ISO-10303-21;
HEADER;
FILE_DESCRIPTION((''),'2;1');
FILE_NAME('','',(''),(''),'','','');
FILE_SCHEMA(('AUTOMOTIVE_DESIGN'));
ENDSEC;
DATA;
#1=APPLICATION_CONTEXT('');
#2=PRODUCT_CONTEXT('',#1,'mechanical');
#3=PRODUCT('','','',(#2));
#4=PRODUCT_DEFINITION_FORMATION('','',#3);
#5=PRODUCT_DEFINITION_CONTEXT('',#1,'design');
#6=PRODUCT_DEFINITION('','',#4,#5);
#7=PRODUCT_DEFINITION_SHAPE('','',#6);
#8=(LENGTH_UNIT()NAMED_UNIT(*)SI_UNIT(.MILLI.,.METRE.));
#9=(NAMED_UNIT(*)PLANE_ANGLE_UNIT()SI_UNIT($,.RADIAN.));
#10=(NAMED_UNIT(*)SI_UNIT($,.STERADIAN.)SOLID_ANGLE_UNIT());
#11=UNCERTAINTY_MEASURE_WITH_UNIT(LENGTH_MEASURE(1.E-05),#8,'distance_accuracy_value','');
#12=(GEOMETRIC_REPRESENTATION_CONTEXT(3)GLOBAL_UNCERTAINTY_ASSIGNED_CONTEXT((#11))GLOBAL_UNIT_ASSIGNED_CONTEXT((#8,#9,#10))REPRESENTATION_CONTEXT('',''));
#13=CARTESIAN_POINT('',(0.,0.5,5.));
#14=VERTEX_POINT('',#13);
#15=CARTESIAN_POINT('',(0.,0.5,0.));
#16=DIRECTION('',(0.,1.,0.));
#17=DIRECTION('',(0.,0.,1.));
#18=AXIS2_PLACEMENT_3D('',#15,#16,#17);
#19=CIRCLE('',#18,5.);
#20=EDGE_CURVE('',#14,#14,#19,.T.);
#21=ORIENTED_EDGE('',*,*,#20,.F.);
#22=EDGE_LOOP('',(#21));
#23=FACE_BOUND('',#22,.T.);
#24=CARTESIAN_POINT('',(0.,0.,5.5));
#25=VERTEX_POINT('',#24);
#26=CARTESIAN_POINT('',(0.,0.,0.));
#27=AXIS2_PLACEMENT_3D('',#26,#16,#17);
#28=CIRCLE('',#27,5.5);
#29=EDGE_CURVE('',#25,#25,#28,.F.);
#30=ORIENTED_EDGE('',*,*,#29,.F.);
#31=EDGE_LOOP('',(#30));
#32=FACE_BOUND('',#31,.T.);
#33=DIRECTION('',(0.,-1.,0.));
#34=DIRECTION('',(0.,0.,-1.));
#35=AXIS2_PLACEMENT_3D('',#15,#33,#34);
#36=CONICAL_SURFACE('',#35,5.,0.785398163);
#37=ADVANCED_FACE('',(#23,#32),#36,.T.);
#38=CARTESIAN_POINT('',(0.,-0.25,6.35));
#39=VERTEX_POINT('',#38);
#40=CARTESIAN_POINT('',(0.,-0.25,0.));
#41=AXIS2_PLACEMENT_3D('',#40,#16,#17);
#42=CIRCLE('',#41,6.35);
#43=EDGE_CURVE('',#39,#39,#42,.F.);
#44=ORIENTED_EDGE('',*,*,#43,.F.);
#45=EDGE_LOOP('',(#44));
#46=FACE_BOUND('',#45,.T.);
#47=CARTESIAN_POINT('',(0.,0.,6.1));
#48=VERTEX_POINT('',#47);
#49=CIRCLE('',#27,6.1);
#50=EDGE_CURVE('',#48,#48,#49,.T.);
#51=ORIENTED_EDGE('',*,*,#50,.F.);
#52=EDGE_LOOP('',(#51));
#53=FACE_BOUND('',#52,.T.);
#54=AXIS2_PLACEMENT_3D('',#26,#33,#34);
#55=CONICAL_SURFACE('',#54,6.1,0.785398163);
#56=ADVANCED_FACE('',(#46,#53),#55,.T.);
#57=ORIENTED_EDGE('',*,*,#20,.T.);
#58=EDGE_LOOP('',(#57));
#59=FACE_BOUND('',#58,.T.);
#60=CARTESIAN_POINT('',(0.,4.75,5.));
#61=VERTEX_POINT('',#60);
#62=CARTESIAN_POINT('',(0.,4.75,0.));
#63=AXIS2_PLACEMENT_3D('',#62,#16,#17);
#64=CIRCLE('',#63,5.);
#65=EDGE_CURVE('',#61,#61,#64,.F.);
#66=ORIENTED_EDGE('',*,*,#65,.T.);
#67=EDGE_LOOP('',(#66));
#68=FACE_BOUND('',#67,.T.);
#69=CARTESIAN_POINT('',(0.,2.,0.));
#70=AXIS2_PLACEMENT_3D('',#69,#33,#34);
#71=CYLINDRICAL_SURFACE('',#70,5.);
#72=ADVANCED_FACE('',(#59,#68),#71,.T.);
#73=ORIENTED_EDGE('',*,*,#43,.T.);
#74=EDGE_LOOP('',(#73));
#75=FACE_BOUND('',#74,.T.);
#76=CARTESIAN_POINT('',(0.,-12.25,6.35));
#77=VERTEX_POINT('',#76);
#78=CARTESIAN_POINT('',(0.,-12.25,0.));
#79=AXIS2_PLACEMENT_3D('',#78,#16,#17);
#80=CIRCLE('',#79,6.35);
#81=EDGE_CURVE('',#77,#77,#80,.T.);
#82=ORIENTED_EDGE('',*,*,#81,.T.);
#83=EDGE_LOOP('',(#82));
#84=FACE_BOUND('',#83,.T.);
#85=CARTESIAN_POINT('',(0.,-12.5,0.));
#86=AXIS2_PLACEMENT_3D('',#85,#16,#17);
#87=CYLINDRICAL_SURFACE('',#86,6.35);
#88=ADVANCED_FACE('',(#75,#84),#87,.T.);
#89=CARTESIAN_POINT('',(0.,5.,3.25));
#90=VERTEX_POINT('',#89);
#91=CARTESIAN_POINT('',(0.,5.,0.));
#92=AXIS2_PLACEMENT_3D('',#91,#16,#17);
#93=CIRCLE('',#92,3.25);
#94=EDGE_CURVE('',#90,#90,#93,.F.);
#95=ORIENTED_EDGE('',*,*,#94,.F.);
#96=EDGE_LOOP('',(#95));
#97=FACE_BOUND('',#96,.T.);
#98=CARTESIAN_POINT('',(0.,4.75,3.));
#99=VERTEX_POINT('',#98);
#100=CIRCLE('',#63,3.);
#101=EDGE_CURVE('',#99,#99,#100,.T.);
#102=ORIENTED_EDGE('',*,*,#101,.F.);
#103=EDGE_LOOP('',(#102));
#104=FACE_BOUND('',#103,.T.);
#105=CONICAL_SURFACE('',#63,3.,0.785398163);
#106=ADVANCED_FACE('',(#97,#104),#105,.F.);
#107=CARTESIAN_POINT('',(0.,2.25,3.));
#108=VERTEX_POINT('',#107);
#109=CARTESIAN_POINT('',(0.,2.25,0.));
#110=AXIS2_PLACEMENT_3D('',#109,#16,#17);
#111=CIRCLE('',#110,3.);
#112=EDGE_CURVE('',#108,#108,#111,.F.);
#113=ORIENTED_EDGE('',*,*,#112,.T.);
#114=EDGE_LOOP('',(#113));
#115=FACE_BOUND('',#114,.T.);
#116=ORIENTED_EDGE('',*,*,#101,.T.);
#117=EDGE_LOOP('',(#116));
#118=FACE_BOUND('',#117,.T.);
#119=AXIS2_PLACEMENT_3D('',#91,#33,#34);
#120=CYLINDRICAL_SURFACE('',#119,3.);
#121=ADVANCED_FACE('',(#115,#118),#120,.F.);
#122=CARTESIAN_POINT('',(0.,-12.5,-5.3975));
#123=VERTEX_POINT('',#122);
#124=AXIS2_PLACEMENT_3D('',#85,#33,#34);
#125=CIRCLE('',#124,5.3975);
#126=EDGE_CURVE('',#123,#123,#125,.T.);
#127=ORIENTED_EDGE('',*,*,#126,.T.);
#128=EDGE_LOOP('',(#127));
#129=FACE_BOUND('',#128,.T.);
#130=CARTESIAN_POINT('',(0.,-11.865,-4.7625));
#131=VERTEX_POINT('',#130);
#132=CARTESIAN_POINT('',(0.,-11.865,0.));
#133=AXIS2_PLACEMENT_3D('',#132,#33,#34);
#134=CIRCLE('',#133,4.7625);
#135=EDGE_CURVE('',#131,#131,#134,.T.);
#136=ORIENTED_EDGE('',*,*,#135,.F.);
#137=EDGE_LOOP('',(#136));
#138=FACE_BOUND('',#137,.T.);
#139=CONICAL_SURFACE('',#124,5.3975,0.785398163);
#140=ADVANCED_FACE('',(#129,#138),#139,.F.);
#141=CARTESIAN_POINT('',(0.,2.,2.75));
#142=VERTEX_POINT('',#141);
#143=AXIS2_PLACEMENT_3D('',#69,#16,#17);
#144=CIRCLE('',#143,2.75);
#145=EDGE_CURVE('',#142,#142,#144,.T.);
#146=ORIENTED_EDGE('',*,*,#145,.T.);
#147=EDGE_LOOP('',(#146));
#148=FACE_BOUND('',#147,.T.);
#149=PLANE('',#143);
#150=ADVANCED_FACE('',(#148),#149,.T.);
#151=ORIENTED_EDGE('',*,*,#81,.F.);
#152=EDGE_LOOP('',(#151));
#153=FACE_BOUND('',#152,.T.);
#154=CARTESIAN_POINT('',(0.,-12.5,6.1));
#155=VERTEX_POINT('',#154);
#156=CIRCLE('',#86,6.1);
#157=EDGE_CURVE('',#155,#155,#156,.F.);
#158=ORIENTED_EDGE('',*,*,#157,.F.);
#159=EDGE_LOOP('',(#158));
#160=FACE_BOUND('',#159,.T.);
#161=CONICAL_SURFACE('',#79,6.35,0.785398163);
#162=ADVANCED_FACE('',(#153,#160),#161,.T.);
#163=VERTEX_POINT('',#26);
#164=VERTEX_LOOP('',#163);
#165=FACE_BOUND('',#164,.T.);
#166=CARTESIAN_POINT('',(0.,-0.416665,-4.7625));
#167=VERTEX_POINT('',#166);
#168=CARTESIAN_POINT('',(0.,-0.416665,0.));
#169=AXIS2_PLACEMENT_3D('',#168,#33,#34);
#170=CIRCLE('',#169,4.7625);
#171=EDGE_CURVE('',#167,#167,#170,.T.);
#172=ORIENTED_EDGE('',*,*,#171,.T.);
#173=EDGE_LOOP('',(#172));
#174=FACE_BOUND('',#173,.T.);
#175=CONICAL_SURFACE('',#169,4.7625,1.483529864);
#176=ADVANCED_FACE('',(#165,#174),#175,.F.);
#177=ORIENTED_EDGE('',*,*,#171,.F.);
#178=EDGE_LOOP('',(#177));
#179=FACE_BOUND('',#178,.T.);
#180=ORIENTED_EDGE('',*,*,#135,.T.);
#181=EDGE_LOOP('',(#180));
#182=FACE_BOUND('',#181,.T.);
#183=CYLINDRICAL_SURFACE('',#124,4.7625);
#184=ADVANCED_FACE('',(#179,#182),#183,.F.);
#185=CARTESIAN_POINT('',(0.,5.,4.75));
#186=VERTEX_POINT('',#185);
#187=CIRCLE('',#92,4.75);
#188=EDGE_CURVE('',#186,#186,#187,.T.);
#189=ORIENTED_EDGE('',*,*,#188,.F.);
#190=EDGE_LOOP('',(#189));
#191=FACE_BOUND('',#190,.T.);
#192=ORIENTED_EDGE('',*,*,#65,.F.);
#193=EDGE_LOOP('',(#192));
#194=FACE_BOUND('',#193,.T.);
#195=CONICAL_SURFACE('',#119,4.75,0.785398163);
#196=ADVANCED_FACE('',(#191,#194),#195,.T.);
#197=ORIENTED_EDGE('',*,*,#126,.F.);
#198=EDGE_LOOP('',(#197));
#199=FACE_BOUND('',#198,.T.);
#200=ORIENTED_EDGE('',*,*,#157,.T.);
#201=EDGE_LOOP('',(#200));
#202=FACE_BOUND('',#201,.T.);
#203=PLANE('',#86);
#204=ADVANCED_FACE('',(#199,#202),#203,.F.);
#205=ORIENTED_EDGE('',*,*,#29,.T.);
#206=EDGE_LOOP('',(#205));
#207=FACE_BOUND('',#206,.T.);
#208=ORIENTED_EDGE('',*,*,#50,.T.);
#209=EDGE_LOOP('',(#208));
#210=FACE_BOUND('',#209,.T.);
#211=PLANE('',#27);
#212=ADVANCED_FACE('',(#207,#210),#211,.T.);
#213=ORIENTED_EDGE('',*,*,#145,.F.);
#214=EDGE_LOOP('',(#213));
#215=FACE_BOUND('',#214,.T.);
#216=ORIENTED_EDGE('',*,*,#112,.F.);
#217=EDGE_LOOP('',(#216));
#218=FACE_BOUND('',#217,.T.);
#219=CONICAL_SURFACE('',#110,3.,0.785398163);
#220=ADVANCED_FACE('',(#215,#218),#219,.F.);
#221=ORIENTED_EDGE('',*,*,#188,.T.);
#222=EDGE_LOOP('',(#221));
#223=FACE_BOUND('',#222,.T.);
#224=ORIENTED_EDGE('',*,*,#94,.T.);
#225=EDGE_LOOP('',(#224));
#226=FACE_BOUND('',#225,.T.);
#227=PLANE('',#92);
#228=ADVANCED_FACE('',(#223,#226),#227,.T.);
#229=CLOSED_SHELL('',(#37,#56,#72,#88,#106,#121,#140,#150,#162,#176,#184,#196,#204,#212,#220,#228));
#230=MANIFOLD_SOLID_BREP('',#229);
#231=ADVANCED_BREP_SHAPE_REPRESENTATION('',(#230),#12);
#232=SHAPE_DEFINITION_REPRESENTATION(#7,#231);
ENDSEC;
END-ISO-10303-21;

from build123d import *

# Parameters (mm, degrees)
SKETCH1_R                              = 5
BOSS_EXTRUDE1_DEPTH                    = 2
SKETCH1_3_R                            = 5
SKETCH1_3_R_2                          = 3
BOSS_EXTRUDE2_DEPTH                    = 5
CHAMFER1_SIZE                          = 0.25
SKETCH5_R                              = 6.35
BOSS_EXTRUDE4_DEPTH                    = 12.5
F_3_8_0_375_DIAMETER_HOLE1_D           = 9.525
F_3_8_0_375_DIAMETER_HOLE1_DEPTH       = 12.08333524
F_3_8_0_375_DIAMETER_HOLE1_CSINK_D     = 10.795
F_3_8_0_375_DIAMETER_HOLE1_CSINK_ANGLE = 90
F_3_8_0_375_DIAMETER_HOLE1_TIP         = 0.41666476
CHAMFER2_SIZE                          = 0.25
CHAMFER3_SIZE                          = 0.5


with BuildPart() as part:
    # Sketch1 → Boss-Extrude1 (new body)
    with BuildSketch(Plane(origin=(0, 0, 0), x_dir=(1, 0, 0), z_dir=(0, 1, 0))):
        Circle(SKETCH1_R)
    extrude(amount=BOSS_EXTRUDE1_DEPTH)

    # Sketch1<3> → Boss-Extrude2 (add)
    with BuildSketch(Plane(origin=(0, 0, 0), x_dir=(1, 0, 0), z_dir=(0, 1, 0))):
        Circle(SKETCH1_3_R)
        Circle(SKETCH1_3_R_2, mode=Mode.SUBTRACT)
    extrude(amount=BOSS_EXTRUDE2_DEPTH)

    # Chamfer1
    chamfer1_edges = [part.edges().sort_by_distance(p)[0] for p in [
        (-3, 5, 0),
        (-5, 5, 0),
        (-3, 2, 0),
    ]]
    chamfer(chamfer1_edges, length=CHAMFER1_SIZE)

    # Sketch5 → Boss-Extrude4 (add)
    with BuildSketch(Plane(origin=(0, 0, 0), x_dir=(1, 0, 0), z_dir=(0, 1, 0))):
        Circle(SKETCH5_R)
    extrude(amount=-BOSS_EXTRUDE4_DEPTH)

    # 3/8 (0.375) Diameter Hole1
    with Locations(Plane(origin=(0, -12.5, 0), x_dir=(-1, 0, 0), z_dir=(0, -1, 0))):
        with Locations((0, 0)):
            CounterSinkHole(F_3_8_0_375_DIAMETER_HOLE1_D / 2, F_3_8_0_375_DIAMETER_HOLE1_CSINK_D / 2, depth=F_3_8_0_375_DIAMETER_HOLE1_DEPTH, counter_sink_angle=F_3_8_0_375_DIAMETER_HOLE1_CSINK_ANGLE)
            with Locations((0, 0, -(F_3_8_0_375_DIAMETER_HOLE1_DEPTH + F_3_8_0_375_DIAMETER_HOLE1_TIP / 2))):  # 170° drill point
                Cone(0, F_3_8_0_375_DIAMETER_HOLE1_D / 2, F_3_8_0_375_DIAMETER_HOLE1_TIP, mode=Mode.SUBTRACT)

    # Chamfer2
    chamfer2_edges = [part.edges().sort_by_distance(p)[0] for p in [
        (-6.35, -12.5, 0),
        (-6.35, 0, 0),
    ]]
    chamfer(chamfer2_edges, length=CHAMFER2_SIZE)

    # Chamfer3
    chamfer3_edges = [part.edges().sort_by_distance(p)[0] for p in [
        (-5, 0, 0),
    ]]
    chamfer(chamfer3_edges, length=CHAMFER3_SIZE)


solid = part.part
